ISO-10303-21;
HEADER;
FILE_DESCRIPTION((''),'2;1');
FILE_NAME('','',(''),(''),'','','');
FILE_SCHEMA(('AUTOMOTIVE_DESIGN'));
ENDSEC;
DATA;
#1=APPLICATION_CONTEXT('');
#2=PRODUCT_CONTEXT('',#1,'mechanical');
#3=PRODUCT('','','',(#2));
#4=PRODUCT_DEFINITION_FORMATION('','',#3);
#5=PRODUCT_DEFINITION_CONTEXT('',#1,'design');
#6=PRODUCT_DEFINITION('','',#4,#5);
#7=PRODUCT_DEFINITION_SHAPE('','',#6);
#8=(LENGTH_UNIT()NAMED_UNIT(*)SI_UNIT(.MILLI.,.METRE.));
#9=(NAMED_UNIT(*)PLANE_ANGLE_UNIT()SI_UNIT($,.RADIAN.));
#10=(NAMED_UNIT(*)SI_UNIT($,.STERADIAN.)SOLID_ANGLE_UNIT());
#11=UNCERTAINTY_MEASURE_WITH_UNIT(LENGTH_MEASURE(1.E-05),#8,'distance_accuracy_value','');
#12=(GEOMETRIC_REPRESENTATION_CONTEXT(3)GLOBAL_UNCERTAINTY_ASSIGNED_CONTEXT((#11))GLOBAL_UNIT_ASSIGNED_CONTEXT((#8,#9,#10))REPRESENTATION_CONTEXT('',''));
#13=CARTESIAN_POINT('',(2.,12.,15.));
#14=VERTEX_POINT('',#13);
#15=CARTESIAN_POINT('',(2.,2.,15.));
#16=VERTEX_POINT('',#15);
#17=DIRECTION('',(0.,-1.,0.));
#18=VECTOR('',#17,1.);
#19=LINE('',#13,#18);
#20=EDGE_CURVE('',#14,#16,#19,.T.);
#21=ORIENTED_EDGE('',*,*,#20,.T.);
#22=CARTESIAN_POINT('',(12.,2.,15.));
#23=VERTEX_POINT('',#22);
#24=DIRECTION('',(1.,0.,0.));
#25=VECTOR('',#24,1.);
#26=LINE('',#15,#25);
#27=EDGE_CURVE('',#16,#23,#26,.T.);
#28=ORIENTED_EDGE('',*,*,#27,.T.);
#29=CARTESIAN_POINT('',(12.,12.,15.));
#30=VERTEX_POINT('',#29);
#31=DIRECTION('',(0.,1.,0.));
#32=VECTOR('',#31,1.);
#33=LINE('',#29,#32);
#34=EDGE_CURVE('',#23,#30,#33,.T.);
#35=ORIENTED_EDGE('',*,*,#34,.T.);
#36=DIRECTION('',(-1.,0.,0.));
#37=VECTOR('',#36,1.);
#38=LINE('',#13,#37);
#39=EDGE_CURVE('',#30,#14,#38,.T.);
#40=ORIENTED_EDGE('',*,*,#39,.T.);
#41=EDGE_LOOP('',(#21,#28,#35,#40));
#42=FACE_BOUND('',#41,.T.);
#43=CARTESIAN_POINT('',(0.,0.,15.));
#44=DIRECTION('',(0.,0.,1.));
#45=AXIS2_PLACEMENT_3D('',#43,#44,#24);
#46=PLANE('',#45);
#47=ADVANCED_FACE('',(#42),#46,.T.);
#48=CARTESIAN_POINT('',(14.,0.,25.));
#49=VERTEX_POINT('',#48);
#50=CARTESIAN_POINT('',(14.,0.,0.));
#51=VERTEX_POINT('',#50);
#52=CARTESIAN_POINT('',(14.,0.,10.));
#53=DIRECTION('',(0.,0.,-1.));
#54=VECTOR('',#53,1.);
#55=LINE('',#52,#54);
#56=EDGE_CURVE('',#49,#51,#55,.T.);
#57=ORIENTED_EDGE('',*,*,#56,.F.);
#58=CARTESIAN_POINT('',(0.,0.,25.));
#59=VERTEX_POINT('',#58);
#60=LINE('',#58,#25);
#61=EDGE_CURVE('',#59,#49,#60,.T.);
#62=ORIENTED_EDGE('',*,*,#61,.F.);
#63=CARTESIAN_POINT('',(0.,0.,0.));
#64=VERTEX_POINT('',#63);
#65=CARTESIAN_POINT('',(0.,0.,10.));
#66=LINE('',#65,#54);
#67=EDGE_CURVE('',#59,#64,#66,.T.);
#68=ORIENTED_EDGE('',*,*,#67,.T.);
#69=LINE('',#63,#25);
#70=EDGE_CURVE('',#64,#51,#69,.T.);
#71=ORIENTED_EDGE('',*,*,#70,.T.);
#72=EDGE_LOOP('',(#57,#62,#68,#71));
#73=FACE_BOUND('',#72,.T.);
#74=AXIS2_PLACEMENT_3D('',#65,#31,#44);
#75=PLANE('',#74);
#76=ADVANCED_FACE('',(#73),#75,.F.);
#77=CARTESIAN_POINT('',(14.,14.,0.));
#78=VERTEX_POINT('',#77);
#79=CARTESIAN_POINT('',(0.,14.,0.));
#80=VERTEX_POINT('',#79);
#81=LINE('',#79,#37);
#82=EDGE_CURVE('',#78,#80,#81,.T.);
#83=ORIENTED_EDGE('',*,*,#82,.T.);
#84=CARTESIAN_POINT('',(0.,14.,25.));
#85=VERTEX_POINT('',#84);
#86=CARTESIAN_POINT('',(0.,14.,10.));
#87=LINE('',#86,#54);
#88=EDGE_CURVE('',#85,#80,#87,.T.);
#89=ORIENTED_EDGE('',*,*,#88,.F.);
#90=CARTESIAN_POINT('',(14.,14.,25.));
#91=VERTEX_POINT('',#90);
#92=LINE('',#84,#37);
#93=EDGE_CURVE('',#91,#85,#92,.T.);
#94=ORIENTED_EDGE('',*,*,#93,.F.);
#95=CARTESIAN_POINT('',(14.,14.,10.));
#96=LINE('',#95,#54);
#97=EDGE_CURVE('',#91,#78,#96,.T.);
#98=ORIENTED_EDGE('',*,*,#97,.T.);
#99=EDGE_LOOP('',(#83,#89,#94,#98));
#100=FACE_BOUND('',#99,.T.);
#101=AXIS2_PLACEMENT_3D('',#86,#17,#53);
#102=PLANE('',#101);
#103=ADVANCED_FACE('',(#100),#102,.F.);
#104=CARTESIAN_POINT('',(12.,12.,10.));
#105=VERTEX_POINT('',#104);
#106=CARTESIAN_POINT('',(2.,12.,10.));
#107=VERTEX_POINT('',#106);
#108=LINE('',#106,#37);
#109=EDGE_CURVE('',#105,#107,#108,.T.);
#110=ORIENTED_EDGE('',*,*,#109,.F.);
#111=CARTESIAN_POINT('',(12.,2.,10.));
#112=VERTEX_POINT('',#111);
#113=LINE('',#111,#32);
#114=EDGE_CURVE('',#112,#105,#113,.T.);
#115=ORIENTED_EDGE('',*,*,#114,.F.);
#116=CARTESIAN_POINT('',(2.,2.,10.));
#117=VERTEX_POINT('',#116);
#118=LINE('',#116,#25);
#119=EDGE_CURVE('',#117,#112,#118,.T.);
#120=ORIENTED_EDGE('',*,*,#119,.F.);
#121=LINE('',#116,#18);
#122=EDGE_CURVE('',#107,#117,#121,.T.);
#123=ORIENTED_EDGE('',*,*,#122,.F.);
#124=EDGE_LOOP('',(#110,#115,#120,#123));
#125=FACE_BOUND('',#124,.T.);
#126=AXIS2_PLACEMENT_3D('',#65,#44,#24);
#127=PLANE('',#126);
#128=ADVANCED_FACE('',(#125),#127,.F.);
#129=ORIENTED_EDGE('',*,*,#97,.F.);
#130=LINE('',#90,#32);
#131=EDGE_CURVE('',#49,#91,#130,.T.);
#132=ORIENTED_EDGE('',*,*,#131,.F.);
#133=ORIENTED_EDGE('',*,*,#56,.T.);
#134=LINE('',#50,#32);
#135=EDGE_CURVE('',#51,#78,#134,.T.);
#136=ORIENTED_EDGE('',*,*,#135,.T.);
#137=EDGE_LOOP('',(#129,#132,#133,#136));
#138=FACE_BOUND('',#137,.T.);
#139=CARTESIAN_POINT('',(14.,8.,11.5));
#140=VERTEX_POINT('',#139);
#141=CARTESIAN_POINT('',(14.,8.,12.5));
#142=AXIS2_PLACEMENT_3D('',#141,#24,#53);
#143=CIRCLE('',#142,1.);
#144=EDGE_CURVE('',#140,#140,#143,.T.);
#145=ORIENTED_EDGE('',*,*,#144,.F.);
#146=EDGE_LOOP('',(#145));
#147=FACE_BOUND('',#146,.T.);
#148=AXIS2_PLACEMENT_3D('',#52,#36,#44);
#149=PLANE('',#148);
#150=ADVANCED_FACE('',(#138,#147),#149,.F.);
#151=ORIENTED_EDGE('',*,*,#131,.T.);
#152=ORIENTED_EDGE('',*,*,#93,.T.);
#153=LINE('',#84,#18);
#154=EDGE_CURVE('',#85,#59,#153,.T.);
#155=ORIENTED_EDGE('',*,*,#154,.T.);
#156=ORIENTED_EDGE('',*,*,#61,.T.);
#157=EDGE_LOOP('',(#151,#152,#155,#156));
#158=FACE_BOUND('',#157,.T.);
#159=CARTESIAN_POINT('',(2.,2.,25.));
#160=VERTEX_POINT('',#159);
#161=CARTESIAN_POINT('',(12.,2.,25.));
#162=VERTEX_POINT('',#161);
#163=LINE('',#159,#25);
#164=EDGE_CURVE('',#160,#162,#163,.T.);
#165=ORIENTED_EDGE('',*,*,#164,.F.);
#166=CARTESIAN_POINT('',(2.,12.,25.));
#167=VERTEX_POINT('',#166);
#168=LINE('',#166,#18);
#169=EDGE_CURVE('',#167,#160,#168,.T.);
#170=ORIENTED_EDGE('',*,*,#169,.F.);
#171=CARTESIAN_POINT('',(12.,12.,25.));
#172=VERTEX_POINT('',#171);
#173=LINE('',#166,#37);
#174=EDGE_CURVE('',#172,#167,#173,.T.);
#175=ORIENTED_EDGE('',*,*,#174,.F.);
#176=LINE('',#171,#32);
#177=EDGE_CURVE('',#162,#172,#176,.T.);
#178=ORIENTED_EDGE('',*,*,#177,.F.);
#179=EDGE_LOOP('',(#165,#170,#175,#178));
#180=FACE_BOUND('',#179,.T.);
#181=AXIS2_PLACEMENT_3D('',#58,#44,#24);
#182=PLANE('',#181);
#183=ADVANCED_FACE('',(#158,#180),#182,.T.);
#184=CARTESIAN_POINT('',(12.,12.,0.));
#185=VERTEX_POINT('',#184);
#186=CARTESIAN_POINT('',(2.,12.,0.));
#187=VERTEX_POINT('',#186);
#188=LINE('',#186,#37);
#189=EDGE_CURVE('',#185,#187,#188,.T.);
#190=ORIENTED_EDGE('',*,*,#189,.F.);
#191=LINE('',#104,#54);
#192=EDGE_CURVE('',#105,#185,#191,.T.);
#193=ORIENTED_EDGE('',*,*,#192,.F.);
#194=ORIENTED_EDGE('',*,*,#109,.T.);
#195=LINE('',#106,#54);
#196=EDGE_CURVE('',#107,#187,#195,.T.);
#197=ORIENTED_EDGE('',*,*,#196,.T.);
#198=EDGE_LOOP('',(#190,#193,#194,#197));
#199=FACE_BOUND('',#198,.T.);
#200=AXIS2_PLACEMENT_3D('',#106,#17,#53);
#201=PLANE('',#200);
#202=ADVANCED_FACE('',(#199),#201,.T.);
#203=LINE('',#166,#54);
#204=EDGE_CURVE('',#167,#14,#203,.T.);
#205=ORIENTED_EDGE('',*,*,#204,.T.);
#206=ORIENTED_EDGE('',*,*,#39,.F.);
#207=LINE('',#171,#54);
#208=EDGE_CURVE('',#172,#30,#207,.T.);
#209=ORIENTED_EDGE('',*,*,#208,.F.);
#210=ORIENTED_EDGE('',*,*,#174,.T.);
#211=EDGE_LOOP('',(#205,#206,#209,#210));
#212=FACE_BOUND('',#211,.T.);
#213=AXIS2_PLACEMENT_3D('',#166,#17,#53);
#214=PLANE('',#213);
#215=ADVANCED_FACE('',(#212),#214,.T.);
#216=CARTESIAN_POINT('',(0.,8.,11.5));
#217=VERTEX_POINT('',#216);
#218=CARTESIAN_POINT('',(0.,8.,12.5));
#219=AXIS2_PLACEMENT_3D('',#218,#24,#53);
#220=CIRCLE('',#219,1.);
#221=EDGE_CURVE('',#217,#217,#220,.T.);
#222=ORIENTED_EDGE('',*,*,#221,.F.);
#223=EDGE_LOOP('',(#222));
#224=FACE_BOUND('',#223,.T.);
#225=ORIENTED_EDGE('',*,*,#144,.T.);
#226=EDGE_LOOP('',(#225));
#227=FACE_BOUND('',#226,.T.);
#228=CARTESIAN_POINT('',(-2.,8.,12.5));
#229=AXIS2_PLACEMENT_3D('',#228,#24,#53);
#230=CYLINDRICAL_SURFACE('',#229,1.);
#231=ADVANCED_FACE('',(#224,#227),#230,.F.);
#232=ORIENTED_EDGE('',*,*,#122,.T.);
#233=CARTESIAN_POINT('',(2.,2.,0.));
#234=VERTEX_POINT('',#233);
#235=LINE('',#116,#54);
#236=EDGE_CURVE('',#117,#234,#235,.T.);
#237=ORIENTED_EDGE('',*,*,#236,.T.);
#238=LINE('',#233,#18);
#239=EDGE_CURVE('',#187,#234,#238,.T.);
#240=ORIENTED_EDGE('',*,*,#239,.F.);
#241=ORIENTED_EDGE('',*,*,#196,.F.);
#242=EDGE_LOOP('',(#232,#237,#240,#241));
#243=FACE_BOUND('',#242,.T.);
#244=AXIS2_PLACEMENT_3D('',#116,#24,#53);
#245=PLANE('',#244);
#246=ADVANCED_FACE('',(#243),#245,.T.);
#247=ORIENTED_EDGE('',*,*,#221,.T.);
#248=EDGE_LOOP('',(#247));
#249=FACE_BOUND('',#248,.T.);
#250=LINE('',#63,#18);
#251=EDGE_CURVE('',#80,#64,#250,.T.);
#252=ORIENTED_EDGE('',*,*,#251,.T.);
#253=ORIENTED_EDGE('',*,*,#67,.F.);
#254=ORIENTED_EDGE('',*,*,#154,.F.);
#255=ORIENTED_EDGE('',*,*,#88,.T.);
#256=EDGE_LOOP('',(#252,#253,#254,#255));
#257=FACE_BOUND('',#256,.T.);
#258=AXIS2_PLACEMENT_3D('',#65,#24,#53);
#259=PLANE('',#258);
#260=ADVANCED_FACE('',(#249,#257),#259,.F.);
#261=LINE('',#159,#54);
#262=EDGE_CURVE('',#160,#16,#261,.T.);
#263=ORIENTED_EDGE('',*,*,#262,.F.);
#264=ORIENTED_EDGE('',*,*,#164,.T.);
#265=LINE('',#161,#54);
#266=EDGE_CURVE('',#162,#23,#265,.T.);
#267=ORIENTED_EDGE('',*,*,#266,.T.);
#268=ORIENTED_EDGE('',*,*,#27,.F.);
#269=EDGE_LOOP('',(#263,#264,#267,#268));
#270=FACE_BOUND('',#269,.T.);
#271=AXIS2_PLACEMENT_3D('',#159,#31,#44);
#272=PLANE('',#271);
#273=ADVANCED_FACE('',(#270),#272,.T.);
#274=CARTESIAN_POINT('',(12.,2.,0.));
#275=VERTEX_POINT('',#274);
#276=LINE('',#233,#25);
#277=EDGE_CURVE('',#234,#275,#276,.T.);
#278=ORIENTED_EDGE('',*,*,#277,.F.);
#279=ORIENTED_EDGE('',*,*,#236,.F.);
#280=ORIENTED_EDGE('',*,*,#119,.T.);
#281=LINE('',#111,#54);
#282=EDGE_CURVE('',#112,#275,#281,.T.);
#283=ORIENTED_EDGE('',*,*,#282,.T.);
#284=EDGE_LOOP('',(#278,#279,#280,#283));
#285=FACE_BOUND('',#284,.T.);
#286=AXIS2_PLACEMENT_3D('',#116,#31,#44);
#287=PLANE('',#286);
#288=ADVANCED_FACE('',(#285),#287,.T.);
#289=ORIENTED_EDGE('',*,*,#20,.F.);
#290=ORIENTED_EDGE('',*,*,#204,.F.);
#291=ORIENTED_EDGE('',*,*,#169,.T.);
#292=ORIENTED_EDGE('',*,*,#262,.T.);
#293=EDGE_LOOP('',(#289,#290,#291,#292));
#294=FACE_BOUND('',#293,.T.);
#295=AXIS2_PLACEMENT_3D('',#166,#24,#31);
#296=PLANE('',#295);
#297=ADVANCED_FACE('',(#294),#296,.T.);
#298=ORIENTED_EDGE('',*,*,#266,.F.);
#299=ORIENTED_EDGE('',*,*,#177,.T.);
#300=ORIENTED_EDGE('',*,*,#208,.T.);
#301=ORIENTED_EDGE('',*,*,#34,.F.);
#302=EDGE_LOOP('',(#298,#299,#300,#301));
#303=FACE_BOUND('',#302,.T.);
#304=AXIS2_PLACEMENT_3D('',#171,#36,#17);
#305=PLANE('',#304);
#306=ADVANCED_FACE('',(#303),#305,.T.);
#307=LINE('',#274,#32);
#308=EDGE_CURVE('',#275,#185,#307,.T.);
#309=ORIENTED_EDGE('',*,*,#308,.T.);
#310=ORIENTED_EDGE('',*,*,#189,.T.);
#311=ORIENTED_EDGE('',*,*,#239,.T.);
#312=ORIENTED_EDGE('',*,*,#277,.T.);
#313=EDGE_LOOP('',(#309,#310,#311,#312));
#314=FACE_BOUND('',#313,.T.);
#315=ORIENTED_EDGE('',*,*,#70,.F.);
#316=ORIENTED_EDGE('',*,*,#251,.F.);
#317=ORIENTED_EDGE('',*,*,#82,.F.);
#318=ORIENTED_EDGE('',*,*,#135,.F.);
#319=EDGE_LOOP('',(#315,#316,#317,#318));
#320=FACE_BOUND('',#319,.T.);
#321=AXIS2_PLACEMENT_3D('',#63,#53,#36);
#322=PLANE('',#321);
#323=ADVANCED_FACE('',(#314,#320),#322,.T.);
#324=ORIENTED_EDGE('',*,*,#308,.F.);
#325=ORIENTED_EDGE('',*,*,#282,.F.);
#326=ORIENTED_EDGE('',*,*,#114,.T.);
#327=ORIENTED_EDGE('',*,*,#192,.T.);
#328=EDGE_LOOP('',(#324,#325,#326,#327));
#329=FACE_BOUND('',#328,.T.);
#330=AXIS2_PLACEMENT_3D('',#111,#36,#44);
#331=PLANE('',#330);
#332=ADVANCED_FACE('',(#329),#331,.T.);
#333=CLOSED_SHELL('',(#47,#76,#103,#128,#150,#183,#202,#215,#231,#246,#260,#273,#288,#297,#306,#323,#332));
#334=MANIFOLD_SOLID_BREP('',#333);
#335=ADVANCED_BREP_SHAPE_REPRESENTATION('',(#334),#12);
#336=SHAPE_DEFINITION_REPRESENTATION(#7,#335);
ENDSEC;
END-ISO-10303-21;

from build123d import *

# Parameters (mm, degrees)
SKETCH_1_W          = 14
SKETCH_1_H          = 14
SKETCH_1_W_2        = 10
SKETCH_1_H_2        = 10
EXTRUDE_1_DEPTH     = 10
SKETCH_2_W          = 14
SKETCH_2_H          = 14
EXTRUDE_2_DEPTH     = 5
SKETCH_3_W          = 14
SKETCH_3_H          = 14
SKETCH_3_W_2        = 10
SKETCH_3_H_2        = 10
EXTRUDE_3_DEPTH     = 10
SKETCH_6_R          = 1
CUT_EXTRUDE_1_DEPTH = 16


with BuildPart() as part:
    # 草图1 → 凸台-拉伸1 (new body)
    with BuildSketch(Plane.XY):
        with Locations((7, 7)):
            Rectangle(SKETCH_1_W, SKETCH_1_H)
        with Locations((7, 7)):
            Rectangle(SKETCH_1_W_2, SKETCH_1_H_2, mode=Mode.SUBTRACT)
    extrude(amount=EXTRUDE_1_DEPTH)

    # 草图2 → 凸台-拉伸2 (add)
    with BuildSketch(Plane.XY.offset(10)):
        with Locations((7, 7)):
            Rectangle(SKETCH_2_W, SKETCH_2_H)
    extrude(amount=EXTRUDE_2_DEPTH)

    # 草图3 → 凸台-拉伸3 (add)
    with BuildSketch(Plane.XY.offset(15)):
        with Locations((7, 7)):
            Rectangle(SKETCH_3_W, SKETCH_3_H)
        with Locations((7, 7)):
            Rectangle(SKETCH_3_W_2, SKETCH_3_H_2, mode=Mode.SUBTRACT)
    extrude(amount=EXTRUDE_3_DEPTH)

    # 草图6 → 切除-拉伸1 (cut)
    with BuildSketch(Plane(origin=(14, 0, 0), x_dir=(0, 0, -1), z_dir=(1, 0, 0))):
        with Locations((-12.5, 8)):
            Circle(SKETCH_6_R)
    extrude(amount=-CUT_EXTRUDE_1_DEPTH, mode=Mode.SUBTRACT)


solid = part.part
